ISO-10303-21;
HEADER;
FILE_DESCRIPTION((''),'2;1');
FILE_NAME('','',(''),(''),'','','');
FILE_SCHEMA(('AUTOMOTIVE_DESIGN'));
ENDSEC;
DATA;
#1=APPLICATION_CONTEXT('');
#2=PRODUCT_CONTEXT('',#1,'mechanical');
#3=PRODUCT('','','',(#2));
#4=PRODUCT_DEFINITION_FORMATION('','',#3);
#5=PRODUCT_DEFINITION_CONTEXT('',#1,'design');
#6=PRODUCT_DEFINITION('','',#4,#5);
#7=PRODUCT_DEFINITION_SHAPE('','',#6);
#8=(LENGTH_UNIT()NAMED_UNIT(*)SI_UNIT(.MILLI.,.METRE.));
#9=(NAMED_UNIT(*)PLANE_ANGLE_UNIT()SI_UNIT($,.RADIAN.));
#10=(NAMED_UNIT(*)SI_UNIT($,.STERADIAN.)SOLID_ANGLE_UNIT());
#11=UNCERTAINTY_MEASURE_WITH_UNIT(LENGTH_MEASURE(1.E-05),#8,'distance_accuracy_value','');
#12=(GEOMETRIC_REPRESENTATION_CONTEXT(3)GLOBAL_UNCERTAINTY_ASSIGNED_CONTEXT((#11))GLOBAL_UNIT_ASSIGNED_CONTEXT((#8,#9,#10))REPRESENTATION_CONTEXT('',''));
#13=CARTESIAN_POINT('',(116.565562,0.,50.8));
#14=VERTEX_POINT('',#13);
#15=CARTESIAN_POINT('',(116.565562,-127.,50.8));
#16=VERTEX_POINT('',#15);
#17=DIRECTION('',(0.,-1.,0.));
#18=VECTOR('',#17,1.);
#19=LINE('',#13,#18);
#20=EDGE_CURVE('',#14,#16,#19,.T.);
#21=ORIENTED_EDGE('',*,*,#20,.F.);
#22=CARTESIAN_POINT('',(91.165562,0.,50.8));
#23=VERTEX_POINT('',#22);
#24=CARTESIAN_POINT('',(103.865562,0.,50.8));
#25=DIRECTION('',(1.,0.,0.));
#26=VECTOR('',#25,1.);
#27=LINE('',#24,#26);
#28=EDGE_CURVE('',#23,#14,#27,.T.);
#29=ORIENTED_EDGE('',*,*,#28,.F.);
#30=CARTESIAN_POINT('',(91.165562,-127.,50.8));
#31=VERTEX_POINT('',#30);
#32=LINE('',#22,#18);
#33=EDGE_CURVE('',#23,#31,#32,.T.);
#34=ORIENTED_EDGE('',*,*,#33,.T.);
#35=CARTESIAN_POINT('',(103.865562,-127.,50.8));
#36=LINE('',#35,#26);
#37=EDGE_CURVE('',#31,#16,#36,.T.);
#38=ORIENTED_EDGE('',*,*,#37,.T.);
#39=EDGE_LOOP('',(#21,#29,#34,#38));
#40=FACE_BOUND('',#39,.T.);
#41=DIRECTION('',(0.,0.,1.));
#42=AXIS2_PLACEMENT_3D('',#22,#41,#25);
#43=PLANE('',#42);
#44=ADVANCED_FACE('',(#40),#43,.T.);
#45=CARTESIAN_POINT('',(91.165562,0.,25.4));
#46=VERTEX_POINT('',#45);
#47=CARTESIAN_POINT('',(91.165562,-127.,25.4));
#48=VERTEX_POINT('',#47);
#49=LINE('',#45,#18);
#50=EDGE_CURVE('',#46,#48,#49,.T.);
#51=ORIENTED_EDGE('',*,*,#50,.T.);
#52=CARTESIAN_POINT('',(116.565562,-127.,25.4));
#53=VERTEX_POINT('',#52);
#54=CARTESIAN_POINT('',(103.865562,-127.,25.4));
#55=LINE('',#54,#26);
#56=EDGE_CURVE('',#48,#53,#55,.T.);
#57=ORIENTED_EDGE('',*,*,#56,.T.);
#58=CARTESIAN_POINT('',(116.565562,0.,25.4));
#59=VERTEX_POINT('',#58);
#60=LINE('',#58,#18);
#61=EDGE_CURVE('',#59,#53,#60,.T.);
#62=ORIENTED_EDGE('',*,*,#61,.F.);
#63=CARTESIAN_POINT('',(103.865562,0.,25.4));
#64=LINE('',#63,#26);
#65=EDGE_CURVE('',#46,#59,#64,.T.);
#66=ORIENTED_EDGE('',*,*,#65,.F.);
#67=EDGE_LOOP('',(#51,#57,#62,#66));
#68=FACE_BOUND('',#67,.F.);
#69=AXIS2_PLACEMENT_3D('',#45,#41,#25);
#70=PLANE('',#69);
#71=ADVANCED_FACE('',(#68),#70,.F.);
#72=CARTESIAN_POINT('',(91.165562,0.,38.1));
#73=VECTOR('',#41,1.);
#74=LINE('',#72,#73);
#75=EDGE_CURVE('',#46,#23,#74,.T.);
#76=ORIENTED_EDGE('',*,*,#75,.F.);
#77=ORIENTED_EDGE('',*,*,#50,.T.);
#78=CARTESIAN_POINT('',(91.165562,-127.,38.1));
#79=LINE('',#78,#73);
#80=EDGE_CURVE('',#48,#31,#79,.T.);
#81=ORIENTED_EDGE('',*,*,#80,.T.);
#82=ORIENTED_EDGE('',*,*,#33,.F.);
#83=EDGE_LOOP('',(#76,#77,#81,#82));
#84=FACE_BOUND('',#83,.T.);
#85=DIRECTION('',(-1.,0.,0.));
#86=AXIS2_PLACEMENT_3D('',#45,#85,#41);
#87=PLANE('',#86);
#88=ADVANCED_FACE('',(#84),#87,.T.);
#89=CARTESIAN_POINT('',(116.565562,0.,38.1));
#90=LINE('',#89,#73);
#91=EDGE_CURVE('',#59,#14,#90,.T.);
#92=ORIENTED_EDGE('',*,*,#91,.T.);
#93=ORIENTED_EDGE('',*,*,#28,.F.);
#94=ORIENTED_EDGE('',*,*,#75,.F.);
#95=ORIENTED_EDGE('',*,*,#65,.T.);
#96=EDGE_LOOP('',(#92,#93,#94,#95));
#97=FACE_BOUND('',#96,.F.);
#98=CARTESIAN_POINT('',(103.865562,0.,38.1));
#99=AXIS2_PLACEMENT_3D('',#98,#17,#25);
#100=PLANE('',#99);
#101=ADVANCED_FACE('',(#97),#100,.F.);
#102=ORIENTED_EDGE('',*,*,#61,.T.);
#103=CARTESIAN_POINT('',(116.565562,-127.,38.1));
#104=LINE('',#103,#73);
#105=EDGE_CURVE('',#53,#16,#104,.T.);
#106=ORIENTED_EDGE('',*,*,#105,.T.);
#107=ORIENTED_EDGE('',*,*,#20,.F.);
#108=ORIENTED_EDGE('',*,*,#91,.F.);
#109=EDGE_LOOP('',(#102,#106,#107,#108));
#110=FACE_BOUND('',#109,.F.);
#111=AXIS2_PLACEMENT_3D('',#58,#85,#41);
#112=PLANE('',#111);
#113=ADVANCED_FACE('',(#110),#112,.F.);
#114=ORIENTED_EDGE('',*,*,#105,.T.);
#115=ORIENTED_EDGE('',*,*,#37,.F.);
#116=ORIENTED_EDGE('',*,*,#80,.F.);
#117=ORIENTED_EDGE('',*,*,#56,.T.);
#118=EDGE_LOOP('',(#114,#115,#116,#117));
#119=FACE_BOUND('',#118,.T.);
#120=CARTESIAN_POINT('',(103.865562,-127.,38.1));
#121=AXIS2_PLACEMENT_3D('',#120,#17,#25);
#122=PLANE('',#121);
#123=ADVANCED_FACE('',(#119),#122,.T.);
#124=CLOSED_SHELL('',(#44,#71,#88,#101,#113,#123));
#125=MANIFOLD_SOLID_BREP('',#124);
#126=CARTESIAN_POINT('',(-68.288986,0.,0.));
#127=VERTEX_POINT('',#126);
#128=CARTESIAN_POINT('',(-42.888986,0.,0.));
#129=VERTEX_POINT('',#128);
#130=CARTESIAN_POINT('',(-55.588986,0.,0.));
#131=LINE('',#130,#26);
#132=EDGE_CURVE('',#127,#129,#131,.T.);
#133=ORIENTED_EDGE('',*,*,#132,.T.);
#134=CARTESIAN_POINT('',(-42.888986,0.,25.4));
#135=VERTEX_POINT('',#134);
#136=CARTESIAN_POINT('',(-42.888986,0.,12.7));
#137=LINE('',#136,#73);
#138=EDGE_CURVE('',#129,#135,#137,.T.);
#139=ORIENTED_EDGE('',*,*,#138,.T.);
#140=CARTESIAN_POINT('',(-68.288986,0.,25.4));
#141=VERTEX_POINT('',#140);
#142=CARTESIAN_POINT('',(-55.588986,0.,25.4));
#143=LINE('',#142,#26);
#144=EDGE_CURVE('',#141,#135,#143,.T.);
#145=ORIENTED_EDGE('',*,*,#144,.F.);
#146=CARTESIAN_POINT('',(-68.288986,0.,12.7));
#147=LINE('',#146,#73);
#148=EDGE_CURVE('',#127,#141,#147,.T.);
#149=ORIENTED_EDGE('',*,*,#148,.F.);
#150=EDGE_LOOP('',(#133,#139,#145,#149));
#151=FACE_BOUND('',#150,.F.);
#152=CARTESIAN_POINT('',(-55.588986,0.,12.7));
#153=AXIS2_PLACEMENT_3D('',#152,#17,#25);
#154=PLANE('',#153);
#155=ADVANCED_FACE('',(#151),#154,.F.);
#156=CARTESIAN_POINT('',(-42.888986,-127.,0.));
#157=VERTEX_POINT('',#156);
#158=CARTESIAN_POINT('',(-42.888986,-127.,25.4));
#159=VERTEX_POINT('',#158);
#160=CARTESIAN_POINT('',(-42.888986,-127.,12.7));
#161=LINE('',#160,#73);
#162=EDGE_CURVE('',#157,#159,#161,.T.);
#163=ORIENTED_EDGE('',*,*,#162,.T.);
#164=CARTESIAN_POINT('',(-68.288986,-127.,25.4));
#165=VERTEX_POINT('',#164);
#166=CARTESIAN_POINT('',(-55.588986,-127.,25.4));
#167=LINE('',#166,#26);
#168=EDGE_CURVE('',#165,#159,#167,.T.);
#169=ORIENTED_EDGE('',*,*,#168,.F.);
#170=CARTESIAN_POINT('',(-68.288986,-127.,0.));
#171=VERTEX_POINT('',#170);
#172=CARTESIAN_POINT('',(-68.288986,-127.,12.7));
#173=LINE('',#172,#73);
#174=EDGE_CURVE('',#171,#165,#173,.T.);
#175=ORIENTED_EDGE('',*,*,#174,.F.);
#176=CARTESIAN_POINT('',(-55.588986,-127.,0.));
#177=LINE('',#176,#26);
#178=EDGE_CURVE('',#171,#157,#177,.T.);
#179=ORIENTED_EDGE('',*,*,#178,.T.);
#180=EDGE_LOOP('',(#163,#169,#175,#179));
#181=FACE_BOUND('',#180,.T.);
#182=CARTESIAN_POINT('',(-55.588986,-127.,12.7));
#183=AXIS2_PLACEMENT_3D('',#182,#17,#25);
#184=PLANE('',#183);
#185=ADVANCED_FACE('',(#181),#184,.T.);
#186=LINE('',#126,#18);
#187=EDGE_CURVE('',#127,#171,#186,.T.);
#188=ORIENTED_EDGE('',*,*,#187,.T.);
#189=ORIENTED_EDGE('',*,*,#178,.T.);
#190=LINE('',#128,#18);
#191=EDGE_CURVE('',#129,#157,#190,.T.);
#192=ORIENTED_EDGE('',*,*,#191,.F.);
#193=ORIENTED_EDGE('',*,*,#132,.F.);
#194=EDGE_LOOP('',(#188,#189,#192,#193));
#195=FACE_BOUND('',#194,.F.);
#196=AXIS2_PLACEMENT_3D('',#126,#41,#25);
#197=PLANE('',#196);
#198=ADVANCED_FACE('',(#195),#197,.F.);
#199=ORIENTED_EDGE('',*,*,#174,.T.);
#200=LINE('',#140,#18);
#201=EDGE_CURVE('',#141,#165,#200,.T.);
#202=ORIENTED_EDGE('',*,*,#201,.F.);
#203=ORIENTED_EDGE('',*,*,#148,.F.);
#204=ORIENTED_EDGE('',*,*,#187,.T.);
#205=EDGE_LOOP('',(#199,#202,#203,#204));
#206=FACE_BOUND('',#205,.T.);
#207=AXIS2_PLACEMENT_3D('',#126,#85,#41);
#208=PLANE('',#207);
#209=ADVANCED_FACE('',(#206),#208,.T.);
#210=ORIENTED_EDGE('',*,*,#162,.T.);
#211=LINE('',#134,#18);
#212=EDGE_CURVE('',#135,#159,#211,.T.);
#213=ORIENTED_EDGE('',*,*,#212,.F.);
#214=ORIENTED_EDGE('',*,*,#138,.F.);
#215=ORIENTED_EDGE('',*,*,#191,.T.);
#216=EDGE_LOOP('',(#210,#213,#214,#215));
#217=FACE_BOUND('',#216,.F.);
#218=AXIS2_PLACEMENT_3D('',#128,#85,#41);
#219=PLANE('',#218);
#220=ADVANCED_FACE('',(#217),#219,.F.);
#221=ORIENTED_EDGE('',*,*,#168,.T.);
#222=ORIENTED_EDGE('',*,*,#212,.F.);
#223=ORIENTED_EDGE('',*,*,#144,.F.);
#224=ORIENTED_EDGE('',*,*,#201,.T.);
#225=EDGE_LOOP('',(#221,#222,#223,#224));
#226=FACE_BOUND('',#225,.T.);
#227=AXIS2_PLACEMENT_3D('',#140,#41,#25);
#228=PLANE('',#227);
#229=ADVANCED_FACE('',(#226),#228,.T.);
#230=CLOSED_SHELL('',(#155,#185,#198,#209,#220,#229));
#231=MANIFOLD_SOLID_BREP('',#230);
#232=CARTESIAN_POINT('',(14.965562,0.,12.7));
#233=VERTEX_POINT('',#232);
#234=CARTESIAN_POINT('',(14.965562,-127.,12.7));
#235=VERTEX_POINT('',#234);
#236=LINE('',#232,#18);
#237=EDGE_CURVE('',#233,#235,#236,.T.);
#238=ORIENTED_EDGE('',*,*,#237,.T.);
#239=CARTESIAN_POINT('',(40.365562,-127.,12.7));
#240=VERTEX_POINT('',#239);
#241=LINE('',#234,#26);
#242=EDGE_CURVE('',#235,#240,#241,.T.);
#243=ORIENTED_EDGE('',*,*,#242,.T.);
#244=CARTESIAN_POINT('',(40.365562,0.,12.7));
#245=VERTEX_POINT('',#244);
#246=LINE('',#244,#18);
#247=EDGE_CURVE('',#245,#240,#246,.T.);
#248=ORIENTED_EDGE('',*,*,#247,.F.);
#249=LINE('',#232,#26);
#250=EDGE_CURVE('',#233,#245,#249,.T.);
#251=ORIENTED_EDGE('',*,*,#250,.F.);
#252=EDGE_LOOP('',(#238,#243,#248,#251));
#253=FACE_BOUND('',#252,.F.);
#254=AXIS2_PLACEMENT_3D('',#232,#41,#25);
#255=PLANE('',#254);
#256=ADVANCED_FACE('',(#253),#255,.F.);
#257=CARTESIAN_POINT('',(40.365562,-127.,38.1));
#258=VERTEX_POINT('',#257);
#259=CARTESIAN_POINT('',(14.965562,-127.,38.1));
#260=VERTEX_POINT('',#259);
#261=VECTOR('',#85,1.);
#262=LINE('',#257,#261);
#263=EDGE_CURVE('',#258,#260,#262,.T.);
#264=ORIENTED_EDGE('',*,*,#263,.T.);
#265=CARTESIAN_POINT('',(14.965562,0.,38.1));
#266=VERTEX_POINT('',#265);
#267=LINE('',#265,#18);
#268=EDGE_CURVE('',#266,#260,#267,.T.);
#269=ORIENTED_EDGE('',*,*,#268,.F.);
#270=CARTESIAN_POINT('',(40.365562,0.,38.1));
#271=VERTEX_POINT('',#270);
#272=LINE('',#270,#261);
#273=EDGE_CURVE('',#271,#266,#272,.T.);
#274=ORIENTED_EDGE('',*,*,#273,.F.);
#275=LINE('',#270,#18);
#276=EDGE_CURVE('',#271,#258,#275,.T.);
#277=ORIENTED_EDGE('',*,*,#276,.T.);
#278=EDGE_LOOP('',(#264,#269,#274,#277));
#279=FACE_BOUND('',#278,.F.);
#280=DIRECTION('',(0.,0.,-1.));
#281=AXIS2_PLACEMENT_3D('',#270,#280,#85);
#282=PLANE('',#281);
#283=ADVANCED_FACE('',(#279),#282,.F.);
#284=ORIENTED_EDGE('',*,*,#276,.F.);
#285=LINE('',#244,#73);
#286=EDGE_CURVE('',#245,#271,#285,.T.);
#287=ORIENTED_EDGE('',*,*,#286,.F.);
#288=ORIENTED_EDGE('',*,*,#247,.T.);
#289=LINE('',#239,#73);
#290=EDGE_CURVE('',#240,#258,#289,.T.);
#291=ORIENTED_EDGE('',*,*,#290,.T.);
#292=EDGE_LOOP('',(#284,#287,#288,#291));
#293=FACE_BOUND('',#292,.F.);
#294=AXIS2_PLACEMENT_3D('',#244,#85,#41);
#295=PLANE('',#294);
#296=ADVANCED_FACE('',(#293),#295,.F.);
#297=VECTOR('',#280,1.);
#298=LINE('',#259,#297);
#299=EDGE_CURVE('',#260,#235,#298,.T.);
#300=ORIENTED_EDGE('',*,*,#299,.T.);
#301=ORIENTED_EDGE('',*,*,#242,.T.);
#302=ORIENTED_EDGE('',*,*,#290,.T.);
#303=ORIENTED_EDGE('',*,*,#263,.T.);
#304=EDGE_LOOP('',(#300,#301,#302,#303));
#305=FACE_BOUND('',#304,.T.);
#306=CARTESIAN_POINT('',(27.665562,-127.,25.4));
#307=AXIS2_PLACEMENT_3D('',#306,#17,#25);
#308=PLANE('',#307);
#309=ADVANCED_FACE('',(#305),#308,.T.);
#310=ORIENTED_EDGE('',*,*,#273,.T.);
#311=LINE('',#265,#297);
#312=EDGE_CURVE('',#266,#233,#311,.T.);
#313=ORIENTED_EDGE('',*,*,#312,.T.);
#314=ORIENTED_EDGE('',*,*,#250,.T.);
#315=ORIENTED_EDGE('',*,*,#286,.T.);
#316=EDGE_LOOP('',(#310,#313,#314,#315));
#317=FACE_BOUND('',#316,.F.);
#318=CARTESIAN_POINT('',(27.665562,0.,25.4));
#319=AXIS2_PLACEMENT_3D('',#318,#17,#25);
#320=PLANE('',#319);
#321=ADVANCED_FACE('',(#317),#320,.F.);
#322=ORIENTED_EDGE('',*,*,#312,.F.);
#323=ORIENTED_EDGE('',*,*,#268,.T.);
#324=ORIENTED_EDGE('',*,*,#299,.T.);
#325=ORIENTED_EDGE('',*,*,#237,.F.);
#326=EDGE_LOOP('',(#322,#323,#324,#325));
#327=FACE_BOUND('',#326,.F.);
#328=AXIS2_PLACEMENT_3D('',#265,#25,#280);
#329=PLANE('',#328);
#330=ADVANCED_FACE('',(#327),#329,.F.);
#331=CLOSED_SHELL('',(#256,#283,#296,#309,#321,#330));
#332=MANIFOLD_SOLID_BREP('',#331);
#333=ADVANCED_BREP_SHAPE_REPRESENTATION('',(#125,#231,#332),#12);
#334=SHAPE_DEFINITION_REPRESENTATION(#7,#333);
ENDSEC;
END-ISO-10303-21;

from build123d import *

# Parameters (mm, degrees)
F0_W     = 25.4
F0_H     = 25.4
F1_DEPTH = 127


with BuildPart() as f1:
    # F0 (on Front) → F1 (new body)
    with BuildSketch(Plane.XZ):
        with Locations((-55.588986, 12.7)):
            Rectangle(F0_W, F0_H)
        Polygon((14.965562, 38.1), (14.965562, 12.7), (40.365562, 12.7), (40.365562, 25.4), (40.365562, 38.1), align=None)
        with Locations((103.865562, 38.1)):
            Rectangle(F0_W, F0_H)
    extrude(amount=F1_DEPTH)


solid = f1.part
